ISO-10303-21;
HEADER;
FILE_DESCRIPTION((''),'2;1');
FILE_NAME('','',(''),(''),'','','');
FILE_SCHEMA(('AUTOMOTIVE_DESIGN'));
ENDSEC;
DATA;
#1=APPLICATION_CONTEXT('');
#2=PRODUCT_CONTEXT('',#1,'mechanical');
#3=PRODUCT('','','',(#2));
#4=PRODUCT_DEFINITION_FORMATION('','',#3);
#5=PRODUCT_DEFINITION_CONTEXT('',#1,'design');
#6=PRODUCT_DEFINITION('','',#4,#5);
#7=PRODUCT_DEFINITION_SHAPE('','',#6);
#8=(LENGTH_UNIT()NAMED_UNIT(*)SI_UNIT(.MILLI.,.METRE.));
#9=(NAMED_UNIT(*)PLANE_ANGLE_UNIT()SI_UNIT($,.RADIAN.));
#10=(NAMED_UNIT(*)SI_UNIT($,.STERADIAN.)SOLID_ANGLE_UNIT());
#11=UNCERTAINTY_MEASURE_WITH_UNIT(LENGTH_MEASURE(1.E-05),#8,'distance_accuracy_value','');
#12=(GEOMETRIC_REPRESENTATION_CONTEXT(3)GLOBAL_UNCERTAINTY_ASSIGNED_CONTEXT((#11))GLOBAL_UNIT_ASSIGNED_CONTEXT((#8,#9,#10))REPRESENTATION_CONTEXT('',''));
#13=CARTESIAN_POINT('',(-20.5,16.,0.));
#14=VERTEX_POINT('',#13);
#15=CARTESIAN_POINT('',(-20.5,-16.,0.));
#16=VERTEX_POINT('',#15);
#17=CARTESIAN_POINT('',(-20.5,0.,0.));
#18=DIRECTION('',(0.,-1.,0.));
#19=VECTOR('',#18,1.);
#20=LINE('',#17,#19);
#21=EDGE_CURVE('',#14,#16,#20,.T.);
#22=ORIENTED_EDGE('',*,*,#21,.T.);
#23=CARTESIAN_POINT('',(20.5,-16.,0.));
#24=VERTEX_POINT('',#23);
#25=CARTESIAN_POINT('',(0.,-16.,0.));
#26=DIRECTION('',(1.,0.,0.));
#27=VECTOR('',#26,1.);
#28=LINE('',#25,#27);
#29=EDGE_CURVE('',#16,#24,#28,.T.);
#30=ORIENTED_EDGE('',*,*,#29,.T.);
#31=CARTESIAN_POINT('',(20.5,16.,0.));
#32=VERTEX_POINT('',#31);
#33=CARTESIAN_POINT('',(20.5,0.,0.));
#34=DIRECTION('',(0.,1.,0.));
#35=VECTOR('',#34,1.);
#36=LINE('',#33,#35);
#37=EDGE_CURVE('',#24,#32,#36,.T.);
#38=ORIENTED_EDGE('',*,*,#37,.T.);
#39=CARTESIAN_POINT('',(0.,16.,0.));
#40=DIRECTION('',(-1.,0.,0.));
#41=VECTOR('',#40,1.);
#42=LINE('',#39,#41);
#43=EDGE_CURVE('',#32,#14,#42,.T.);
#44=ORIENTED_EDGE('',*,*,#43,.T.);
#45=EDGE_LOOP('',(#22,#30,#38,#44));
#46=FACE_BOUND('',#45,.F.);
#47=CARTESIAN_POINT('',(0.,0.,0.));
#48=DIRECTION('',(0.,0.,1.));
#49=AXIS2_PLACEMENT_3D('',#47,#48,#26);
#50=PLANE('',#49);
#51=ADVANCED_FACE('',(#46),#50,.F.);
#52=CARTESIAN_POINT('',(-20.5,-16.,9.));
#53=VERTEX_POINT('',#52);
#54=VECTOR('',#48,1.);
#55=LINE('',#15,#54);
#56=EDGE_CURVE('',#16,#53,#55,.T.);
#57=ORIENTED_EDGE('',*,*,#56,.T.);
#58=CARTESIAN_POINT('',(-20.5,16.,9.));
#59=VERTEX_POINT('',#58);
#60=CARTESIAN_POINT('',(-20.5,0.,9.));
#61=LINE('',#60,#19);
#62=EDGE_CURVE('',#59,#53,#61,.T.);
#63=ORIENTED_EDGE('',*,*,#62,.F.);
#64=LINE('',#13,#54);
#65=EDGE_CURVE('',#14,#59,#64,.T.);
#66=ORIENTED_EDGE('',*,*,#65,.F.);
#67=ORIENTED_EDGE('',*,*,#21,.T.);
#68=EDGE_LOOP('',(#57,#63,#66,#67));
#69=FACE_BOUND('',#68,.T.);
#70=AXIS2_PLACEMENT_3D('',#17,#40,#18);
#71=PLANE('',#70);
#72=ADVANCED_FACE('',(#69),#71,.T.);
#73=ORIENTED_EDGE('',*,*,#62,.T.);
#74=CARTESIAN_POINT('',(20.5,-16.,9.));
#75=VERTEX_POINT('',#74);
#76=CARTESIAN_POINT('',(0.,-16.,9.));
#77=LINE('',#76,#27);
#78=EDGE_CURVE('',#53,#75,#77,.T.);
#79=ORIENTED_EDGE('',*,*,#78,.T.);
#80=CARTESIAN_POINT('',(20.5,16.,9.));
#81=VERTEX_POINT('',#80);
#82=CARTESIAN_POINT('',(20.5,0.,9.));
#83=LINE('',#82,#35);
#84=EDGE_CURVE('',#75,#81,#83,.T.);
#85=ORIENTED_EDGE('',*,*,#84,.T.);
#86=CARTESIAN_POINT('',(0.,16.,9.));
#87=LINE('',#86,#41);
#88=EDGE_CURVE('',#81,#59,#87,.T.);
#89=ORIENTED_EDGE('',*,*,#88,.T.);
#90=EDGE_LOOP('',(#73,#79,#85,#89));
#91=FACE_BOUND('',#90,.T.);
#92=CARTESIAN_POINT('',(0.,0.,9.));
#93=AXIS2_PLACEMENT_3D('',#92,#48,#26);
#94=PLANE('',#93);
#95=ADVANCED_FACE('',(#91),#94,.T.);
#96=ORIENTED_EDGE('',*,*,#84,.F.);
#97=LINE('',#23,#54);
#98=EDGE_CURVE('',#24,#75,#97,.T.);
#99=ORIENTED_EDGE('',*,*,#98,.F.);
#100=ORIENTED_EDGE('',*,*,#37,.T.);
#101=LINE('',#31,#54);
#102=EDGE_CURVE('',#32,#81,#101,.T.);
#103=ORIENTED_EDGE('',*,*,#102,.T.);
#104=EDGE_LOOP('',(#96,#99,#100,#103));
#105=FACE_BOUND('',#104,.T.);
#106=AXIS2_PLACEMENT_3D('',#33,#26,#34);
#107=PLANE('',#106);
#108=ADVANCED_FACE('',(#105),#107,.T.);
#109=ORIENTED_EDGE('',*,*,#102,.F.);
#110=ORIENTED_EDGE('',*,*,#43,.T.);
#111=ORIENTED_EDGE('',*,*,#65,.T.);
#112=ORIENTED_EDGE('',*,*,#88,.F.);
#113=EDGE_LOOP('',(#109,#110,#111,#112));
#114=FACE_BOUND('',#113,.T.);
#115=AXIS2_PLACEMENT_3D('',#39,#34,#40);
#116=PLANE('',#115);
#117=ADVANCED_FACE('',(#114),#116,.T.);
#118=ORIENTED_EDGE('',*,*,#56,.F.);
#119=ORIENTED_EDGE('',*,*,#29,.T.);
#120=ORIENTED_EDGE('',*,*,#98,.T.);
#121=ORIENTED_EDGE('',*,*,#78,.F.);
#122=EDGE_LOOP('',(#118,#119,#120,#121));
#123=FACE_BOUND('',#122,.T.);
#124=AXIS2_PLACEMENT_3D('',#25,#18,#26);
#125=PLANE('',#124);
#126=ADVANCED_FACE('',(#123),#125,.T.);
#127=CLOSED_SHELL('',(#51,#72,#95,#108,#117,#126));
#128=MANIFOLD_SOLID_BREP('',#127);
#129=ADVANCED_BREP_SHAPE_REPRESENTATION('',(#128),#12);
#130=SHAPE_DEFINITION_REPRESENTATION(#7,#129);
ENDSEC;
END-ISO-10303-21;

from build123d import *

# Parameters (mm, degrees)
F0_W = 41
F0_H = 32


with BuildPart() as f2:
    # F2: sweep along a path in F1
    with BuildLine(Plane.XZ) as f2_path:
        Line((0, 0), (0, 9))
    # F0 (on Top) → F2 (sweep)
    with BuildSketch(Plane.XY):
        Rectangle(F0_W, F0_H)
    sweep(path=f2_path.line)


solid = f2.part
